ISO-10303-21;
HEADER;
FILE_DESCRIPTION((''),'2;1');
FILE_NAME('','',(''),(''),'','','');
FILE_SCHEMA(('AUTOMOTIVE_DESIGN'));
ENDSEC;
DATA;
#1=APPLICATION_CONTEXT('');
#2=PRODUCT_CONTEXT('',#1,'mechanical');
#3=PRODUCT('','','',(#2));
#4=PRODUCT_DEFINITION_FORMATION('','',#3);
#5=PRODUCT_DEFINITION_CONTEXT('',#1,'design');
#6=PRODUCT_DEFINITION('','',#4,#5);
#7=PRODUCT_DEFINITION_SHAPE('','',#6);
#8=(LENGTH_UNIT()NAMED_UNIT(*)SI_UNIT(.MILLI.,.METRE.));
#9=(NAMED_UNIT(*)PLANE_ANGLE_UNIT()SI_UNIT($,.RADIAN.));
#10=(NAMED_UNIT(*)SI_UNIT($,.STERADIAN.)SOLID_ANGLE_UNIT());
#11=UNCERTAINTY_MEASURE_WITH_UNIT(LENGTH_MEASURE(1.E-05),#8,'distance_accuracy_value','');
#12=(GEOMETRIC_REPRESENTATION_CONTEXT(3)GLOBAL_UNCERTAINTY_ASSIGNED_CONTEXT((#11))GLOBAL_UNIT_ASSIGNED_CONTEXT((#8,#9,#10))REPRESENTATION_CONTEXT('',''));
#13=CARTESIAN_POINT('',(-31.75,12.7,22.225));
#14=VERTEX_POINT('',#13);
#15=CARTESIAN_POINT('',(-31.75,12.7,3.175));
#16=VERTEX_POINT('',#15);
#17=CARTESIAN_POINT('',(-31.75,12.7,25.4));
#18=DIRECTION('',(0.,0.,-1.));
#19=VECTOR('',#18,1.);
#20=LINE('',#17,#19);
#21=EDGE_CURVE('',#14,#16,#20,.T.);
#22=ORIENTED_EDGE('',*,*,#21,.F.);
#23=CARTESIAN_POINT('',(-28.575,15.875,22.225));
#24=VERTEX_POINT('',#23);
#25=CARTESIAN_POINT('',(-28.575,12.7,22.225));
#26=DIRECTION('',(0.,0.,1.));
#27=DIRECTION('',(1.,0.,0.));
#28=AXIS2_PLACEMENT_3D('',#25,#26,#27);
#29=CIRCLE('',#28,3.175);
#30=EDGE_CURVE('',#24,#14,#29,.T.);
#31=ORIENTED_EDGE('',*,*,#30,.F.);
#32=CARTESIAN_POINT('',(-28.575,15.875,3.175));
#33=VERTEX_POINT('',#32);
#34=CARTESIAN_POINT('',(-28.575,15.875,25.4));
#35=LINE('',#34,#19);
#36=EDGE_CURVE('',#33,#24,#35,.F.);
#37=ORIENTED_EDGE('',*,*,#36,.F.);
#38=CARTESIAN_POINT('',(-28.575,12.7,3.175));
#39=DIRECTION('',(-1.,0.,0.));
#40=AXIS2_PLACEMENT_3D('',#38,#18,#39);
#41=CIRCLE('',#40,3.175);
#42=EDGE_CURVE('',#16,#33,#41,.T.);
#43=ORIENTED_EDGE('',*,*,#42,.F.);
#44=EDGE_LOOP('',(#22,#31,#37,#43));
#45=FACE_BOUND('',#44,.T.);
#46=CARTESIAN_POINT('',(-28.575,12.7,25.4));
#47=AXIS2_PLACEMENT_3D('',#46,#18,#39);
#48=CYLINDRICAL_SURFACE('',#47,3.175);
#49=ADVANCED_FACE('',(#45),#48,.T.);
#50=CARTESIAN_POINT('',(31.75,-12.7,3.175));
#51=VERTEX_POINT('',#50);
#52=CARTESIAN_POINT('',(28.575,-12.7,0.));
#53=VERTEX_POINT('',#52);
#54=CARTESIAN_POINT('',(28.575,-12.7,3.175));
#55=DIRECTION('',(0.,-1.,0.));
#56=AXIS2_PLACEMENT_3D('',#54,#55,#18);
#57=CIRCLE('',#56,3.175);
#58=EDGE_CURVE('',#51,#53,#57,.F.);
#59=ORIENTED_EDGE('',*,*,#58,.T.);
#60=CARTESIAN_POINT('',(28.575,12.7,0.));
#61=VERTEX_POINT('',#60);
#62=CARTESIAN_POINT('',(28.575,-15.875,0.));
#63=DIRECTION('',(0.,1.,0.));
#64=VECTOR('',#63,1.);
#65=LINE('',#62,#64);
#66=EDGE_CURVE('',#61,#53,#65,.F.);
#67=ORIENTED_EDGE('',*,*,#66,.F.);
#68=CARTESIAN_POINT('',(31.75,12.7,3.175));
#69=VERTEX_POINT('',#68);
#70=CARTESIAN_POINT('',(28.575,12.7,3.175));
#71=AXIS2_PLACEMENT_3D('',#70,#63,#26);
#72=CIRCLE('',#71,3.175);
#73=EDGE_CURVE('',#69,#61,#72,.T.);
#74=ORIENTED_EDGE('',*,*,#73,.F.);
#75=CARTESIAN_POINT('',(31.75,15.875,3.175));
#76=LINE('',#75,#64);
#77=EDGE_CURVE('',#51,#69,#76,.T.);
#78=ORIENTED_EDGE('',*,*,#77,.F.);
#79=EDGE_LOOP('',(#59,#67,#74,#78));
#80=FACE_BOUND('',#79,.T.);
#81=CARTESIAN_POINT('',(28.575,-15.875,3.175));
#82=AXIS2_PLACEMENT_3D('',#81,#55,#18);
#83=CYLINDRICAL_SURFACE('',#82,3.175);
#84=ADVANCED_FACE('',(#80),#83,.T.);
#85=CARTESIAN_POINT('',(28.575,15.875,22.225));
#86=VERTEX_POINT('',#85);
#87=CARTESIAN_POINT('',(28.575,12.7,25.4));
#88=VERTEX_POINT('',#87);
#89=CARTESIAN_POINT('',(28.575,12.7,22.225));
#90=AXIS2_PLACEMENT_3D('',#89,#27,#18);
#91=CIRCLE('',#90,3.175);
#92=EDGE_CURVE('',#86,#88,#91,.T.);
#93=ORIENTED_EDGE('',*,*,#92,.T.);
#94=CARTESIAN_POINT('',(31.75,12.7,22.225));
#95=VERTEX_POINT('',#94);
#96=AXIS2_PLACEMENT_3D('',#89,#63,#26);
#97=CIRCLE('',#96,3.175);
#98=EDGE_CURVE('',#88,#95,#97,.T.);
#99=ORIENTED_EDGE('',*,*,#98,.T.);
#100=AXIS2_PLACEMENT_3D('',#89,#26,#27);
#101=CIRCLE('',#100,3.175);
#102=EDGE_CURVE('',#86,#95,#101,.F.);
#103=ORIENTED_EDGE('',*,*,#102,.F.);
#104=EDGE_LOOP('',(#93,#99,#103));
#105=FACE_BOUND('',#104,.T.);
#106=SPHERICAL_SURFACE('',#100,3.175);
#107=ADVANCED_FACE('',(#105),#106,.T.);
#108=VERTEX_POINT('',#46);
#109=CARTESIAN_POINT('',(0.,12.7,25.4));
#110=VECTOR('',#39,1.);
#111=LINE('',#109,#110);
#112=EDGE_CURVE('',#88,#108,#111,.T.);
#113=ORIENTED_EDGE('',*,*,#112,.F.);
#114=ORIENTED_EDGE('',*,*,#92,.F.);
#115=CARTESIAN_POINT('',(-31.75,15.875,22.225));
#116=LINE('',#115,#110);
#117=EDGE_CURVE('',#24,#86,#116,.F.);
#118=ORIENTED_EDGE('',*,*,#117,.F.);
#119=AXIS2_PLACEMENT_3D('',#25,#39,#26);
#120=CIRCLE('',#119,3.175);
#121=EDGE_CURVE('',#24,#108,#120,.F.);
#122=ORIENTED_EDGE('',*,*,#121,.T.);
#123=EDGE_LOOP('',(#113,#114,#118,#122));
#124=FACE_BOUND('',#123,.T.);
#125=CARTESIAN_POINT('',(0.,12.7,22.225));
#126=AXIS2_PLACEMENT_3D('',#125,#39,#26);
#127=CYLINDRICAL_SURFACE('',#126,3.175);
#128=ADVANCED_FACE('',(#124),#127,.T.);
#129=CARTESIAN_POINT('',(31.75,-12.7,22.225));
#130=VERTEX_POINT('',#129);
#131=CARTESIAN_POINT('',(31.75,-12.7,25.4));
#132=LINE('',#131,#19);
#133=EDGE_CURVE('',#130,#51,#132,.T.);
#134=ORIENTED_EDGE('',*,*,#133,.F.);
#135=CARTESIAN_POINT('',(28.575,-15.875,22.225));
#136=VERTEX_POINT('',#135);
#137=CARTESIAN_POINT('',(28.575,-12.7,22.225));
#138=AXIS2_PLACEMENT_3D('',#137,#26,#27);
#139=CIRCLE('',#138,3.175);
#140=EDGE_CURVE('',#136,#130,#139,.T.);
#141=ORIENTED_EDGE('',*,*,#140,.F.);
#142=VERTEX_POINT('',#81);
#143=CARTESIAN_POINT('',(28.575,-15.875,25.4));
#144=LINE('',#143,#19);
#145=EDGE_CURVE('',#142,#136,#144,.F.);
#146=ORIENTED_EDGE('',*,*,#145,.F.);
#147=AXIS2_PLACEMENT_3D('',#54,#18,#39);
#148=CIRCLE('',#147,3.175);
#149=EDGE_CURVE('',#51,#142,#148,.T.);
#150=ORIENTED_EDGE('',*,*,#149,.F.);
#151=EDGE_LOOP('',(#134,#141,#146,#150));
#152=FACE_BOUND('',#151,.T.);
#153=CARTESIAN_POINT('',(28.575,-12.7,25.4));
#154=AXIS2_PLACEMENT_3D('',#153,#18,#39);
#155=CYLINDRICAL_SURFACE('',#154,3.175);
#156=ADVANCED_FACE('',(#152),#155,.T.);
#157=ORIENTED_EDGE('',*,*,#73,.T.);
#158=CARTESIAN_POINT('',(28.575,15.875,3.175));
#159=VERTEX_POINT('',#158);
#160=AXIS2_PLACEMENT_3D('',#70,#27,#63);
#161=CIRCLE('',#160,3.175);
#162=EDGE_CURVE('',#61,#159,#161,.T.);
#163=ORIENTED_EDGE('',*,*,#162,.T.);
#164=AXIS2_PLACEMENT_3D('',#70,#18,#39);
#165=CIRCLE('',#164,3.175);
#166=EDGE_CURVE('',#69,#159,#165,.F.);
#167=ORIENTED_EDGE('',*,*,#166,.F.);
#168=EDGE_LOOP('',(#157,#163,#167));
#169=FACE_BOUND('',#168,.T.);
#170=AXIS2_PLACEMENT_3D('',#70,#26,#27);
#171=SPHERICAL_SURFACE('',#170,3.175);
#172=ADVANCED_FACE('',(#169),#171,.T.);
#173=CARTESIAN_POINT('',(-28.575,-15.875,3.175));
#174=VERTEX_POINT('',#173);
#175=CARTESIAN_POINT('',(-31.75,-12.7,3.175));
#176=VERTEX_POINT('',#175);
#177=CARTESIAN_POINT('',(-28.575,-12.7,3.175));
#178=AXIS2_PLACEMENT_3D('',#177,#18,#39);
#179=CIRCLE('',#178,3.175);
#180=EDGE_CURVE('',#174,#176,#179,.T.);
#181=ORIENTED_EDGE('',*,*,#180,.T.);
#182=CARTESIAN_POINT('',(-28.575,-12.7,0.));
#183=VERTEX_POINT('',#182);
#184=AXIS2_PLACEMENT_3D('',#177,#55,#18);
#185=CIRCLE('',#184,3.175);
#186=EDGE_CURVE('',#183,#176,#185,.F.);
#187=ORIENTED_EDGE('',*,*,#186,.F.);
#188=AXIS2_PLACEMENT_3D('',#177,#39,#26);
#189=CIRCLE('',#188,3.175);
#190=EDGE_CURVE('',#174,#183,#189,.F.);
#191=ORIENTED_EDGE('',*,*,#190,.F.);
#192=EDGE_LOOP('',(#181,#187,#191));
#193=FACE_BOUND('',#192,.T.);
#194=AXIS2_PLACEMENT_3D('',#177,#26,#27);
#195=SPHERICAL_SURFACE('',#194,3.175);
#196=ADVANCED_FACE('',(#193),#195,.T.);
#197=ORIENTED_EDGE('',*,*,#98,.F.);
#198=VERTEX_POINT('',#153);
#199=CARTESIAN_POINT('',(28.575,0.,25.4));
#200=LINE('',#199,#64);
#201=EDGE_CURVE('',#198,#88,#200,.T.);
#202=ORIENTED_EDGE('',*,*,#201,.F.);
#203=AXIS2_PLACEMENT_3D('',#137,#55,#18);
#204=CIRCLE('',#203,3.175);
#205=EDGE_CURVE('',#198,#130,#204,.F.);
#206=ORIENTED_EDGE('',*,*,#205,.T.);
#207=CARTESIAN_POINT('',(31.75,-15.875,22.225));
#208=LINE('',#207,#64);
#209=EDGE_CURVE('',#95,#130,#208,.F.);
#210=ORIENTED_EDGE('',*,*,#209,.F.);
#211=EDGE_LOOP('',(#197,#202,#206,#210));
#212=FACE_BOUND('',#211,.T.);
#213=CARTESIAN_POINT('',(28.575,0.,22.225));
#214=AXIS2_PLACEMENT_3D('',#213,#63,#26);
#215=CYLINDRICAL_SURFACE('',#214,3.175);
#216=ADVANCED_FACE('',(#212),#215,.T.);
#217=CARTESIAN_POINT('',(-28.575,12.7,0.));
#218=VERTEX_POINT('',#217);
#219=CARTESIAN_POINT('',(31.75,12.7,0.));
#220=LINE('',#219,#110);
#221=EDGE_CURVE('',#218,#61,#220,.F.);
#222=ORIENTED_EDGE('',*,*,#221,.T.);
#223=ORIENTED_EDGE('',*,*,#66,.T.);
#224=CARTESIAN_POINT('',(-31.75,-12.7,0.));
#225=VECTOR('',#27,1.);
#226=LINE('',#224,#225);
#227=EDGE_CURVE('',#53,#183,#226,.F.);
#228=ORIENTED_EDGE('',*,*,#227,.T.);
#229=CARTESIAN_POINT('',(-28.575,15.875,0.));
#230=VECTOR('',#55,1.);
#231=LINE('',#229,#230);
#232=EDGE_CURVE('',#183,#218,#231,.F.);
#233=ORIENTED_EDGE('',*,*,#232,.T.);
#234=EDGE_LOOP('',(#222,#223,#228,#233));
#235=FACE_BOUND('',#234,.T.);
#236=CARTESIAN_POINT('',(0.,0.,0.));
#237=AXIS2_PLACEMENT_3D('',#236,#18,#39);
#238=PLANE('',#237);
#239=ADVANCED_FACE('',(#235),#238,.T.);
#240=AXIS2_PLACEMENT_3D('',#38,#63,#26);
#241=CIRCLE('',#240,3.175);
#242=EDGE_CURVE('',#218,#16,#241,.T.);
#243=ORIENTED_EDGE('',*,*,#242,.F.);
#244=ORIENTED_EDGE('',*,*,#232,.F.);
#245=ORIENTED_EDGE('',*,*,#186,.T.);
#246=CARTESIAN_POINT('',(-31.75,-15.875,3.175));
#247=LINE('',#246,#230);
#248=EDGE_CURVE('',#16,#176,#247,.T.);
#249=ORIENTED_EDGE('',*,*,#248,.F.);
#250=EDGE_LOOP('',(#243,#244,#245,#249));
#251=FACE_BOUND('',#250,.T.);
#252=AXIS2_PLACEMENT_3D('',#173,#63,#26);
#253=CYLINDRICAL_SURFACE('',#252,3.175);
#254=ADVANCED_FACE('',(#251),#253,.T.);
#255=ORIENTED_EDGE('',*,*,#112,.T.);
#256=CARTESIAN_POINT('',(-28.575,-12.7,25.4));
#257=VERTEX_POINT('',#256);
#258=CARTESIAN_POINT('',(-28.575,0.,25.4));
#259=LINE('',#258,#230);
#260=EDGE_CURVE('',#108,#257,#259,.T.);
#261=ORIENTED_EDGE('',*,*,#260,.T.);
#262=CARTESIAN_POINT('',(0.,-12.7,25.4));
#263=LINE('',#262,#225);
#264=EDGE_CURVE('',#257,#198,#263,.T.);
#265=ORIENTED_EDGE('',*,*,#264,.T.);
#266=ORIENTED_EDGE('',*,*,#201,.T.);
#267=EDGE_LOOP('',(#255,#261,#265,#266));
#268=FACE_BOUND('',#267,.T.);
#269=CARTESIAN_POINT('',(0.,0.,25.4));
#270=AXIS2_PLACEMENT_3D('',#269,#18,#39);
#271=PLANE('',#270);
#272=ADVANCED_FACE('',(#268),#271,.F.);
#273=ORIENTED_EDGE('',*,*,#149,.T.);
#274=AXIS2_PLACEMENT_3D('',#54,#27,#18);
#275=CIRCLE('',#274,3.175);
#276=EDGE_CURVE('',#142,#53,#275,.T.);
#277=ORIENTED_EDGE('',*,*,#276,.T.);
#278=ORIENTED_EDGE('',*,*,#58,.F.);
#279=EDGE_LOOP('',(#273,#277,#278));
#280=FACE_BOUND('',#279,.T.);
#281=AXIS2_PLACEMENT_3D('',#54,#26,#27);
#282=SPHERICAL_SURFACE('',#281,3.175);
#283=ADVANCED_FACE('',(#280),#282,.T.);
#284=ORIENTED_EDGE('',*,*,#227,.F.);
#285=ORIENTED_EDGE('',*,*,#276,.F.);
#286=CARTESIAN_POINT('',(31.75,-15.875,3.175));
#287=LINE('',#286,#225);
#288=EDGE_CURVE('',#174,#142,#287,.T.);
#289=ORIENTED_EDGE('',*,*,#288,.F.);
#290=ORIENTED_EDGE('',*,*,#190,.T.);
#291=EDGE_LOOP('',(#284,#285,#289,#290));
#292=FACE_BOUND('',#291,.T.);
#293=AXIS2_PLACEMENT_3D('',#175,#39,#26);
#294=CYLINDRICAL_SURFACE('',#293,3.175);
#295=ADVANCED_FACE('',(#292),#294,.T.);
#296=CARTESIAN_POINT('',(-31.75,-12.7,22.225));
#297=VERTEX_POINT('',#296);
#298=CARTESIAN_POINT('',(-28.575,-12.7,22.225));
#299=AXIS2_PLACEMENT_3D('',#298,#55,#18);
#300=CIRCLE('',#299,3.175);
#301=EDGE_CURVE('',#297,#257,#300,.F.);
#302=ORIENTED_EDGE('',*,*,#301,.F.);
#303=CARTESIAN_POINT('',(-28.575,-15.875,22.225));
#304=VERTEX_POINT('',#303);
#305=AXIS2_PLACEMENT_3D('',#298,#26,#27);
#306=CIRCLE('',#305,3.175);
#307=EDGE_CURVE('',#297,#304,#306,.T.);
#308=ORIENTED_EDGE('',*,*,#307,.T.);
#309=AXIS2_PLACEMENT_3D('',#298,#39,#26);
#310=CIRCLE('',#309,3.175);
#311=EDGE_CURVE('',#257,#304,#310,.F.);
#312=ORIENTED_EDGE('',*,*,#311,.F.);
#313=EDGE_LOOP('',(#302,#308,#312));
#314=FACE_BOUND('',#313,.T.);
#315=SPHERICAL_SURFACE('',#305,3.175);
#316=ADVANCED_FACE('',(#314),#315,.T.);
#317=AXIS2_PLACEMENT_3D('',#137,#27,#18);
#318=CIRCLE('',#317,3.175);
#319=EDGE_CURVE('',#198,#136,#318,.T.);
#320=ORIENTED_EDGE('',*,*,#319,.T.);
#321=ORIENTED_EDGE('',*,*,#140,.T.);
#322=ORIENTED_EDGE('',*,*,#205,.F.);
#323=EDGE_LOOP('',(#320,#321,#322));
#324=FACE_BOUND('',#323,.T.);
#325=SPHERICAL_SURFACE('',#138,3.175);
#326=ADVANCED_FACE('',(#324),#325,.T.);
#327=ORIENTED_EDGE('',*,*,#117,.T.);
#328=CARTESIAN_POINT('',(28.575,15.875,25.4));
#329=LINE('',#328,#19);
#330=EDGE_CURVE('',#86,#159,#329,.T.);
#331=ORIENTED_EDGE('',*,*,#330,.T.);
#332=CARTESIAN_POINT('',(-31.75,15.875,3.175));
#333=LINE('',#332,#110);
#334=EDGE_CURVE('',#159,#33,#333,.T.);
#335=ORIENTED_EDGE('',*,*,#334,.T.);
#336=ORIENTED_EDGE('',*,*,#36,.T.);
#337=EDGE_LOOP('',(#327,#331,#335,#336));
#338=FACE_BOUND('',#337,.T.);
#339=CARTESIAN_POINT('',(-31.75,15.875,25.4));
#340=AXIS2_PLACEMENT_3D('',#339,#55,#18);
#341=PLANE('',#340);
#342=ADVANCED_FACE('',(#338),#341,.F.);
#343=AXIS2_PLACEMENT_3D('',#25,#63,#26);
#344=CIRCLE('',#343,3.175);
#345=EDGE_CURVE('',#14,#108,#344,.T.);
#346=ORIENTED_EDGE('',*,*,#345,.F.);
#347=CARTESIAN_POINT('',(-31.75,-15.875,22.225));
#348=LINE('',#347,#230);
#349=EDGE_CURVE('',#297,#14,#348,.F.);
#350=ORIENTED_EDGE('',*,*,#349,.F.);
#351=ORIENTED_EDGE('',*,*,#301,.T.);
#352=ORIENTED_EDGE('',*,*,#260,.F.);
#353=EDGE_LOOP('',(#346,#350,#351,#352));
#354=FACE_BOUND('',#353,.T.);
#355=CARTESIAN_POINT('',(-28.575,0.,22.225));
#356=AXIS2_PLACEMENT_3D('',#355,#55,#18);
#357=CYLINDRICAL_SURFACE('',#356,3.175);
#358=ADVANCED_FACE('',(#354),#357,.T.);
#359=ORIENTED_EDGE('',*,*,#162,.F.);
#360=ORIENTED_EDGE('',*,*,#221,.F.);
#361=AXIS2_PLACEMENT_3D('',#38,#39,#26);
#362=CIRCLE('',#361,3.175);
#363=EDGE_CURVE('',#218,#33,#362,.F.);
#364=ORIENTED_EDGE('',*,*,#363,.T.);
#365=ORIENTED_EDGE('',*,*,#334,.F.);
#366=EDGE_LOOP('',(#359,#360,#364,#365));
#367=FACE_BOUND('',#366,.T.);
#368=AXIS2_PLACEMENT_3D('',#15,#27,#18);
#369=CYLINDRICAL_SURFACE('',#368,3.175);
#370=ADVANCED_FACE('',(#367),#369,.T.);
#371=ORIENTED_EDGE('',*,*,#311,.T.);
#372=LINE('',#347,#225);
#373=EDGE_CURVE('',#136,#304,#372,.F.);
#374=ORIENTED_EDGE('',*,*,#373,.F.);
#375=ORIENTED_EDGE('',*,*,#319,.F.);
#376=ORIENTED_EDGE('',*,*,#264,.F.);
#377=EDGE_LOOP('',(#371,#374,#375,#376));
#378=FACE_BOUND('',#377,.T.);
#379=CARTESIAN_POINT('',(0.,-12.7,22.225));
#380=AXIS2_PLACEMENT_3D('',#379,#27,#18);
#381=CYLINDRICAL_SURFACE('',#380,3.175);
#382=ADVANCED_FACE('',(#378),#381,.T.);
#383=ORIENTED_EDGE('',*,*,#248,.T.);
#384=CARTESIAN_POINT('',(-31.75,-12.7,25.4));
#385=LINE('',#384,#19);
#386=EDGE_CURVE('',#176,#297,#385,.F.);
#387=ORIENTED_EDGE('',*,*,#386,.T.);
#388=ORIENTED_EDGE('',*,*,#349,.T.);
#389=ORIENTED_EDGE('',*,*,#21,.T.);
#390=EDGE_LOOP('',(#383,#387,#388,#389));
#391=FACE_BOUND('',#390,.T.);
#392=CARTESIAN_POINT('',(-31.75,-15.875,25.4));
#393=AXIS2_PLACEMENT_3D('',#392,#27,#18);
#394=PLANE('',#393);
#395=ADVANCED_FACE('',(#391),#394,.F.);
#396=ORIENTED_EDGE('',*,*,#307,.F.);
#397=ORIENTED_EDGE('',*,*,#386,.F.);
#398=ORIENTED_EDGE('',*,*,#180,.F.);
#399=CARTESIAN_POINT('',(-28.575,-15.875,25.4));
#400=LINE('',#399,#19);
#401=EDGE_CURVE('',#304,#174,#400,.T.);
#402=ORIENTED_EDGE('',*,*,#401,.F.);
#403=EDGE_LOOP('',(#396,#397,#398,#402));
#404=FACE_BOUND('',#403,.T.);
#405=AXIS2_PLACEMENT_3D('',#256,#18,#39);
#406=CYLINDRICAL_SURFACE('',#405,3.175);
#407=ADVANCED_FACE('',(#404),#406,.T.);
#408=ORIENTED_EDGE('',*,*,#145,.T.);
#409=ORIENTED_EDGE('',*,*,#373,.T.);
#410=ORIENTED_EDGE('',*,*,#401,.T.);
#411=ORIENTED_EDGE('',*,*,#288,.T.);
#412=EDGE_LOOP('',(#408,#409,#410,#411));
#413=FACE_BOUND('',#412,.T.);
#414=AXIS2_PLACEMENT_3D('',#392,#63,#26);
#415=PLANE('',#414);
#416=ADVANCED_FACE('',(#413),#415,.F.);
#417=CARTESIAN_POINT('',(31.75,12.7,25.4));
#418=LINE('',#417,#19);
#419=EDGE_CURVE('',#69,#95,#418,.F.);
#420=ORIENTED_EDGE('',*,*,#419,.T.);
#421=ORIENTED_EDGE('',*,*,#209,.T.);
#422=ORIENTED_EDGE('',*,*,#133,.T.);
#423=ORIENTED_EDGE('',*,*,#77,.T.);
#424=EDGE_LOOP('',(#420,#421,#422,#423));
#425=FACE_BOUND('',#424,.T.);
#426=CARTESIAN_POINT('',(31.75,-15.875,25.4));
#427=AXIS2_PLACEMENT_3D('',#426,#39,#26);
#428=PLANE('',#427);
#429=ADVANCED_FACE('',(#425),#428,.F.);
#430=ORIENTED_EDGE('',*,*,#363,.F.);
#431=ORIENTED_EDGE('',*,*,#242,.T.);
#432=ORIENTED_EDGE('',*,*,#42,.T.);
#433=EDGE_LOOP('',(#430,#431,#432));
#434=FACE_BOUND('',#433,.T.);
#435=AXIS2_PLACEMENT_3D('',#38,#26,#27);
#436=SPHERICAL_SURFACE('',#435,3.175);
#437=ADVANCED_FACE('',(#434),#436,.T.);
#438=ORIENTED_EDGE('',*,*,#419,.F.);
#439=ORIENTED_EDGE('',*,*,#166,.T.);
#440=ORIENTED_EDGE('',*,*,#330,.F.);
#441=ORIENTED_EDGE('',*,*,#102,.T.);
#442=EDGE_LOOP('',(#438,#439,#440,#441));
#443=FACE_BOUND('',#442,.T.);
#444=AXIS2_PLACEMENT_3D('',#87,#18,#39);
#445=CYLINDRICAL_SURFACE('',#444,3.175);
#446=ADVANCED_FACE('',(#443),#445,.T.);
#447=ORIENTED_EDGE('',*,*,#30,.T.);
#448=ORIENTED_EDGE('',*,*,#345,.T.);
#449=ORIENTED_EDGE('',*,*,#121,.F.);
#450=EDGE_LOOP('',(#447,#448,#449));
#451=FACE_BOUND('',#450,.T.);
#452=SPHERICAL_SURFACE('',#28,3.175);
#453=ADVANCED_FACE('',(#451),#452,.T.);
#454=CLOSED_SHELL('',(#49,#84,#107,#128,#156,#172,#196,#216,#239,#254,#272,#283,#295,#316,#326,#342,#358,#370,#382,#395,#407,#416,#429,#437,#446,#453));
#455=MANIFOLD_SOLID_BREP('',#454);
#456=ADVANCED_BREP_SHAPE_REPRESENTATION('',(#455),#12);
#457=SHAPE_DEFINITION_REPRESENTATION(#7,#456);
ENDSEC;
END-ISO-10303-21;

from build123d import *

# Parameters (mm, degrees)
SKETCH1_W           = 63.5
SKETCH1_H           = 31.75
BOSS_EXTRUDE1_DEPTH = 25.4
FILLET1_R           = 3.175


with BuildPart() as part:
    # Sketch1 → Boss-Extrude1 (new body)
    with BuildSketch(Plane.XY):
        Rectangle(SKETCH1_W, SKETCH1_H)
    extrude(amount=BOSS_EXTRUDE1_DEPTH)

    # Fillet1
    fillet1_edges = [part.edges().sort_by_distance(p)[0] for p in [
        (-31.75, 0, 25.4),
        (0, -15.875, 25.4),
        (31.75, 0, 25.4),
        (0, -15.875, 0),
        (-31.75, 0, 0),
        (0, 15.875, 0),
        (31.75, 0, 0),
        (0, 15.875, 25.4),
        (31.75, -15.875, 12.7),
        (-31.75, -15.875, 12.7),
        (-31.75, 15.875, 12.7),
        (31.75, 15.875, 12.7),
    ]]
    fillet(fillet1_edges, radius=FILLET1_R)


solid = part.part
